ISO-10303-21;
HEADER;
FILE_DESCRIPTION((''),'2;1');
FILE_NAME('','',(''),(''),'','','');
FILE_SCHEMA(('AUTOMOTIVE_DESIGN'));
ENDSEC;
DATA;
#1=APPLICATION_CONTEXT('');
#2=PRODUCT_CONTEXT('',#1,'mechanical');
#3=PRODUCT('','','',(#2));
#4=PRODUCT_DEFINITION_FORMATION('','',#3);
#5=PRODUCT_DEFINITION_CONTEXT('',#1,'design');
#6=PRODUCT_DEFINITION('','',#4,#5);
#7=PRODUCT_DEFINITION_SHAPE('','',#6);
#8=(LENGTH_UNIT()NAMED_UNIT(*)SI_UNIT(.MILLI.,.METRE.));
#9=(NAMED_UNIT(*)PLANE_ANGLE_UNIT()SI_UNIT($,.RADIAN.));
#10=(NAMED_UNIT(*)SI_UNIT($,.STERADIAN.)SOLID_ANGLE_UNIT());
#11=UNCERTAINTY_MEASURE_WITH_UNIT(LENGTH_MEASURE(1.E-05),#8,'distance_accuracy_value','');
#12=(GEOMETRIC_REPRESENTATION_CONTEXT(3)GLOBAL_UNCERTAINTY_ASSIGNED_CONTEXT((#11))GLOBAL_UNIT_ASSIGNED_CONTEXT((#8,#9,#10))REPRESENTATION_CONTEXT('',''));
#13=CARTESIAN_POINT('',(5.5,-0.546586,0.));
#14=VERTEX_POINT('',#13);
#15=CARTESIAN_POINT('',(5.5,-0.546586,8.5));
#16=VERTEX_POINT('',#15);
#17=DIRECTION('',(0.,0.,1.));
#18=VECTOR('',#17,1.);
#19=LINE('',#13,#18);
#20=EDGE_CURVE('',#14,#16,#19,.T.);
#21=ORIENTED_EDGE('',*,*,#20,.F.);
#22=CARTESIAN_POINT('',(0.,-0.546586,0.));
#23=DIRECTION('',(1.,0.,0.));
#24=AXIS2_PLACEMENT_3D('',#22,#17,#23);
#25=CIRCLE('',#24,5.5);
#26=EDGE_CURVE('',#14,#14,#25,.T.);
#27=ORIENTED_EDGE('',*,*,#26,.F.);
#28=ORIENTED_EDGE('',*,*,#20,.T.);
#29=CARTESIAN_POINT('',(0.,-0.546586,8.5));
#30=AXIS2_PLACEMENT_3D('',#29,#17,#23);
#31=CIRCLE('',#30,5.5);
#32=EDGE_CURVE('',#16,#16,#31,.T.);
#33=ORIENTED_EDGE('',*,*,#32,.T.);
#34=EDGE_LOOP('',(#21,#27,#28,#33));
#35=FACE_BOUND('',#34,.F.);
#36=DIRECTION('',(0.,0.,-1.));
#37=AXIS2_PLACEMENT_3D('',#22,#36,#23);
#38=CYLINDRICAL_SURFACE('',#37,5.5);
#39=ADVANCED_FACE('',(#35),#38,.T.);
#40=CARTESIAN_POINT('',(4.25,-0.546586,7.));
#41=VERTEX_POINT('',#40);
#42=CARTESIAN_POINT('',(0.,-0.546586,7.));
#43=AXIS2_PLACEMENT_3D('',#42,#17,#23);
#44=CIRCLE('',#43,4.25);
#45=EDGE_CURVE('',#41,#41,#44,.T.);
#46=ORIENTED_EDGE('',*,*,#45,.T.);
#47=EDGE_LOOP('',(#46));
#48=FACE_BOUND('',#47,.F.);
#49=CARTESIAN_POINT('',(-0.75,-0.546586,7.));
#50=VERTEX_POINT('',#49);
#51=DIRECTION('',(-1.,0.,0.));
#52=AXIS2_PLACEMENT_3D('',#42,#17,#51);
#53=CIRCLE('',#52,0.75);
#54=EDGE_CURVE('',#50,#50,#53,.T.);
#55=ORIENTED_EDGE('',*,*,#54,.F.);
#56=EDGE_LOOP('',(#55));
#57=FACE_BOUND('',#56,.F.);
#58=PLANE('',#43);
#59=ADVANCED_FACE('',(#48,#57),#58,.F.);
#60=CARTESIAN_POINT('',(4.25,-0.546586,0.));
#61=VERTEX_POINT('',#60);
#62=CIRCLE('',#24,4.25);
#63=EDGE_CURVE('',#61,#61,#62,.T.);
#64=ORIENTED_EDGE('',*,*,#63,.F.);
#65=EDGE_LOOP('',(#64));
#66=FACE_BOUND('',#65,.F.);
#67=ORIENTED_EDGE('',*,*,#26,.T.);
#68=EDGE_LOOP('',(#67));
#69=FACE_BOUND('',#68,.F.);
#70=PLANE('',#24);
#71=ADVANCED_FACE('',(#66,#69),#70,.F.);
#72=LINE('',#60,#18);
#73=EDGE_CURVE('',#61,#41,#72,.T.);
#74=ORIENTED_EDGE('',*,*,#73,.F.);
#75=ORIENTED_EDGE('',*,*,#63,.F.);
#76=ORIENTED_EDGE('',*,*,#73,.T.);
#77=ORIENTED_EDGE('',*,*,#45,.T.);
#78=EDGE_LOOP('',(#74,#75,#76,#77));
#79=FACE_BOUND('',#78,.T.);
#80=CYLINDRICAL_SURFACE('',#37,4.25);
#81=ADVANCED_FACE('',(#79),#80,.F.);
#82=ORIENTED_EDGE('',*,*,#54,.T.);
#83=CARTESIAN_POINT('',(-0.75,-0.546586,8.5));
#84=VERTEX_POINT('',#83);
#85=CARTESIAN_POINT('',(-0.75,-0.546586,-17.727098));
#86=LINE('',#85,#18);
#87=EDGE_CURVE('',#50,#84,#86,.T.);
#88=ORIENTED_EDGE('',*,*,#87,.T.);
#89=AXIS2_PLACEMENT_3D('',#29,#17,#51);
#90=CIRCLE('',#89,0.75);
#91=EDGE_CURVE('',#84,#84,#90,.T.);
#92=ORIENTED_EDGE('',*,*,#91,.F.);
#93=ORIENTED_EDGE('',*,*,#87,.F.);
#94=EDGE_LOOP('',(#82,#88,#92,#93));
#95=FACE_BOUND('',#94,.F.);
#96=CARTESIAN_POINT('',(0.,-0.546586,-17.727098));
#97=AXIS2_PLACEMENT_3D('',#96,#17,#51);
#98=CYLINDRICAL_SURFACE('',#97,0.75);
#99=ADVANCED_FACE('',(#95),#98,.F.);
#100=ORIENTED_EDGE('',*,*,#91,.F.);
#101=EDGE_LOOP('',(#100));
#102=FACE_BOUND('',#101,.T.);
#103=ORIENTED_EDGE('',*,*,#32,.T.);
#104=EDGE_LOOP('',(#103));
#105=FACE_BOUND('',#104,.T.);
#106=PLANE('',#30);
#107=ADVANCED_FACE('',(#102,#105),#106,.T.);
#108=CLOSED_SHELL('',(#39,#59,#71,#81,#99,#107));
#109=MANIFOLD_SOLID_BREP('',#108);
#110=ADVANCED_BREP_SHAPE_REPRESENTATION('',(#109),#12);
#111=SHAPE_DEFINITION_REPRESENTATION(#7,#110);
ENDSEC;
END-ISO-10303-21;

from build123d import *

# Parameters (mm, degrees)
F0_R     = 5.5
F0_R_2   = 4.25
F1_DEPTH = 8.5
F2_DEPTH = 7
F3_D     = 1.5


with BuildPart() as f1:
    # F0 (on Top) → F1 (new body)
    with BuildSketch(Plane.XY):
        with Locations((0, -0.5465864819)):
            Circle(F0_R)
        with Locations((0, -0.5465864819)):
            Circle(F0_R_2, mode=Mode.SUBTRACT)
        with Locations((0, -0.5465864819)):
            Circle(F0_R_2)
    extrude(amount=F1_DEPTH)

    # F0 (on Top) → F2 (cut)
    with BuildSketch(Plane.XY):
        with Locations((0, -0.5465864819)):
            Circle(F0_R_2)
    extrude(amount=F2_DEPTH, mode=Mode.SUBTRACT)

    # F3 (through all)
    with Locations(Plane(origin=(0, 0, 0), x_dir=(1, 0, 0), z_dir=(0, 0, -1))):
        with Locations((0, 0.5465864819)):
            Hole(F3_D / 2)


solid = f1.part
